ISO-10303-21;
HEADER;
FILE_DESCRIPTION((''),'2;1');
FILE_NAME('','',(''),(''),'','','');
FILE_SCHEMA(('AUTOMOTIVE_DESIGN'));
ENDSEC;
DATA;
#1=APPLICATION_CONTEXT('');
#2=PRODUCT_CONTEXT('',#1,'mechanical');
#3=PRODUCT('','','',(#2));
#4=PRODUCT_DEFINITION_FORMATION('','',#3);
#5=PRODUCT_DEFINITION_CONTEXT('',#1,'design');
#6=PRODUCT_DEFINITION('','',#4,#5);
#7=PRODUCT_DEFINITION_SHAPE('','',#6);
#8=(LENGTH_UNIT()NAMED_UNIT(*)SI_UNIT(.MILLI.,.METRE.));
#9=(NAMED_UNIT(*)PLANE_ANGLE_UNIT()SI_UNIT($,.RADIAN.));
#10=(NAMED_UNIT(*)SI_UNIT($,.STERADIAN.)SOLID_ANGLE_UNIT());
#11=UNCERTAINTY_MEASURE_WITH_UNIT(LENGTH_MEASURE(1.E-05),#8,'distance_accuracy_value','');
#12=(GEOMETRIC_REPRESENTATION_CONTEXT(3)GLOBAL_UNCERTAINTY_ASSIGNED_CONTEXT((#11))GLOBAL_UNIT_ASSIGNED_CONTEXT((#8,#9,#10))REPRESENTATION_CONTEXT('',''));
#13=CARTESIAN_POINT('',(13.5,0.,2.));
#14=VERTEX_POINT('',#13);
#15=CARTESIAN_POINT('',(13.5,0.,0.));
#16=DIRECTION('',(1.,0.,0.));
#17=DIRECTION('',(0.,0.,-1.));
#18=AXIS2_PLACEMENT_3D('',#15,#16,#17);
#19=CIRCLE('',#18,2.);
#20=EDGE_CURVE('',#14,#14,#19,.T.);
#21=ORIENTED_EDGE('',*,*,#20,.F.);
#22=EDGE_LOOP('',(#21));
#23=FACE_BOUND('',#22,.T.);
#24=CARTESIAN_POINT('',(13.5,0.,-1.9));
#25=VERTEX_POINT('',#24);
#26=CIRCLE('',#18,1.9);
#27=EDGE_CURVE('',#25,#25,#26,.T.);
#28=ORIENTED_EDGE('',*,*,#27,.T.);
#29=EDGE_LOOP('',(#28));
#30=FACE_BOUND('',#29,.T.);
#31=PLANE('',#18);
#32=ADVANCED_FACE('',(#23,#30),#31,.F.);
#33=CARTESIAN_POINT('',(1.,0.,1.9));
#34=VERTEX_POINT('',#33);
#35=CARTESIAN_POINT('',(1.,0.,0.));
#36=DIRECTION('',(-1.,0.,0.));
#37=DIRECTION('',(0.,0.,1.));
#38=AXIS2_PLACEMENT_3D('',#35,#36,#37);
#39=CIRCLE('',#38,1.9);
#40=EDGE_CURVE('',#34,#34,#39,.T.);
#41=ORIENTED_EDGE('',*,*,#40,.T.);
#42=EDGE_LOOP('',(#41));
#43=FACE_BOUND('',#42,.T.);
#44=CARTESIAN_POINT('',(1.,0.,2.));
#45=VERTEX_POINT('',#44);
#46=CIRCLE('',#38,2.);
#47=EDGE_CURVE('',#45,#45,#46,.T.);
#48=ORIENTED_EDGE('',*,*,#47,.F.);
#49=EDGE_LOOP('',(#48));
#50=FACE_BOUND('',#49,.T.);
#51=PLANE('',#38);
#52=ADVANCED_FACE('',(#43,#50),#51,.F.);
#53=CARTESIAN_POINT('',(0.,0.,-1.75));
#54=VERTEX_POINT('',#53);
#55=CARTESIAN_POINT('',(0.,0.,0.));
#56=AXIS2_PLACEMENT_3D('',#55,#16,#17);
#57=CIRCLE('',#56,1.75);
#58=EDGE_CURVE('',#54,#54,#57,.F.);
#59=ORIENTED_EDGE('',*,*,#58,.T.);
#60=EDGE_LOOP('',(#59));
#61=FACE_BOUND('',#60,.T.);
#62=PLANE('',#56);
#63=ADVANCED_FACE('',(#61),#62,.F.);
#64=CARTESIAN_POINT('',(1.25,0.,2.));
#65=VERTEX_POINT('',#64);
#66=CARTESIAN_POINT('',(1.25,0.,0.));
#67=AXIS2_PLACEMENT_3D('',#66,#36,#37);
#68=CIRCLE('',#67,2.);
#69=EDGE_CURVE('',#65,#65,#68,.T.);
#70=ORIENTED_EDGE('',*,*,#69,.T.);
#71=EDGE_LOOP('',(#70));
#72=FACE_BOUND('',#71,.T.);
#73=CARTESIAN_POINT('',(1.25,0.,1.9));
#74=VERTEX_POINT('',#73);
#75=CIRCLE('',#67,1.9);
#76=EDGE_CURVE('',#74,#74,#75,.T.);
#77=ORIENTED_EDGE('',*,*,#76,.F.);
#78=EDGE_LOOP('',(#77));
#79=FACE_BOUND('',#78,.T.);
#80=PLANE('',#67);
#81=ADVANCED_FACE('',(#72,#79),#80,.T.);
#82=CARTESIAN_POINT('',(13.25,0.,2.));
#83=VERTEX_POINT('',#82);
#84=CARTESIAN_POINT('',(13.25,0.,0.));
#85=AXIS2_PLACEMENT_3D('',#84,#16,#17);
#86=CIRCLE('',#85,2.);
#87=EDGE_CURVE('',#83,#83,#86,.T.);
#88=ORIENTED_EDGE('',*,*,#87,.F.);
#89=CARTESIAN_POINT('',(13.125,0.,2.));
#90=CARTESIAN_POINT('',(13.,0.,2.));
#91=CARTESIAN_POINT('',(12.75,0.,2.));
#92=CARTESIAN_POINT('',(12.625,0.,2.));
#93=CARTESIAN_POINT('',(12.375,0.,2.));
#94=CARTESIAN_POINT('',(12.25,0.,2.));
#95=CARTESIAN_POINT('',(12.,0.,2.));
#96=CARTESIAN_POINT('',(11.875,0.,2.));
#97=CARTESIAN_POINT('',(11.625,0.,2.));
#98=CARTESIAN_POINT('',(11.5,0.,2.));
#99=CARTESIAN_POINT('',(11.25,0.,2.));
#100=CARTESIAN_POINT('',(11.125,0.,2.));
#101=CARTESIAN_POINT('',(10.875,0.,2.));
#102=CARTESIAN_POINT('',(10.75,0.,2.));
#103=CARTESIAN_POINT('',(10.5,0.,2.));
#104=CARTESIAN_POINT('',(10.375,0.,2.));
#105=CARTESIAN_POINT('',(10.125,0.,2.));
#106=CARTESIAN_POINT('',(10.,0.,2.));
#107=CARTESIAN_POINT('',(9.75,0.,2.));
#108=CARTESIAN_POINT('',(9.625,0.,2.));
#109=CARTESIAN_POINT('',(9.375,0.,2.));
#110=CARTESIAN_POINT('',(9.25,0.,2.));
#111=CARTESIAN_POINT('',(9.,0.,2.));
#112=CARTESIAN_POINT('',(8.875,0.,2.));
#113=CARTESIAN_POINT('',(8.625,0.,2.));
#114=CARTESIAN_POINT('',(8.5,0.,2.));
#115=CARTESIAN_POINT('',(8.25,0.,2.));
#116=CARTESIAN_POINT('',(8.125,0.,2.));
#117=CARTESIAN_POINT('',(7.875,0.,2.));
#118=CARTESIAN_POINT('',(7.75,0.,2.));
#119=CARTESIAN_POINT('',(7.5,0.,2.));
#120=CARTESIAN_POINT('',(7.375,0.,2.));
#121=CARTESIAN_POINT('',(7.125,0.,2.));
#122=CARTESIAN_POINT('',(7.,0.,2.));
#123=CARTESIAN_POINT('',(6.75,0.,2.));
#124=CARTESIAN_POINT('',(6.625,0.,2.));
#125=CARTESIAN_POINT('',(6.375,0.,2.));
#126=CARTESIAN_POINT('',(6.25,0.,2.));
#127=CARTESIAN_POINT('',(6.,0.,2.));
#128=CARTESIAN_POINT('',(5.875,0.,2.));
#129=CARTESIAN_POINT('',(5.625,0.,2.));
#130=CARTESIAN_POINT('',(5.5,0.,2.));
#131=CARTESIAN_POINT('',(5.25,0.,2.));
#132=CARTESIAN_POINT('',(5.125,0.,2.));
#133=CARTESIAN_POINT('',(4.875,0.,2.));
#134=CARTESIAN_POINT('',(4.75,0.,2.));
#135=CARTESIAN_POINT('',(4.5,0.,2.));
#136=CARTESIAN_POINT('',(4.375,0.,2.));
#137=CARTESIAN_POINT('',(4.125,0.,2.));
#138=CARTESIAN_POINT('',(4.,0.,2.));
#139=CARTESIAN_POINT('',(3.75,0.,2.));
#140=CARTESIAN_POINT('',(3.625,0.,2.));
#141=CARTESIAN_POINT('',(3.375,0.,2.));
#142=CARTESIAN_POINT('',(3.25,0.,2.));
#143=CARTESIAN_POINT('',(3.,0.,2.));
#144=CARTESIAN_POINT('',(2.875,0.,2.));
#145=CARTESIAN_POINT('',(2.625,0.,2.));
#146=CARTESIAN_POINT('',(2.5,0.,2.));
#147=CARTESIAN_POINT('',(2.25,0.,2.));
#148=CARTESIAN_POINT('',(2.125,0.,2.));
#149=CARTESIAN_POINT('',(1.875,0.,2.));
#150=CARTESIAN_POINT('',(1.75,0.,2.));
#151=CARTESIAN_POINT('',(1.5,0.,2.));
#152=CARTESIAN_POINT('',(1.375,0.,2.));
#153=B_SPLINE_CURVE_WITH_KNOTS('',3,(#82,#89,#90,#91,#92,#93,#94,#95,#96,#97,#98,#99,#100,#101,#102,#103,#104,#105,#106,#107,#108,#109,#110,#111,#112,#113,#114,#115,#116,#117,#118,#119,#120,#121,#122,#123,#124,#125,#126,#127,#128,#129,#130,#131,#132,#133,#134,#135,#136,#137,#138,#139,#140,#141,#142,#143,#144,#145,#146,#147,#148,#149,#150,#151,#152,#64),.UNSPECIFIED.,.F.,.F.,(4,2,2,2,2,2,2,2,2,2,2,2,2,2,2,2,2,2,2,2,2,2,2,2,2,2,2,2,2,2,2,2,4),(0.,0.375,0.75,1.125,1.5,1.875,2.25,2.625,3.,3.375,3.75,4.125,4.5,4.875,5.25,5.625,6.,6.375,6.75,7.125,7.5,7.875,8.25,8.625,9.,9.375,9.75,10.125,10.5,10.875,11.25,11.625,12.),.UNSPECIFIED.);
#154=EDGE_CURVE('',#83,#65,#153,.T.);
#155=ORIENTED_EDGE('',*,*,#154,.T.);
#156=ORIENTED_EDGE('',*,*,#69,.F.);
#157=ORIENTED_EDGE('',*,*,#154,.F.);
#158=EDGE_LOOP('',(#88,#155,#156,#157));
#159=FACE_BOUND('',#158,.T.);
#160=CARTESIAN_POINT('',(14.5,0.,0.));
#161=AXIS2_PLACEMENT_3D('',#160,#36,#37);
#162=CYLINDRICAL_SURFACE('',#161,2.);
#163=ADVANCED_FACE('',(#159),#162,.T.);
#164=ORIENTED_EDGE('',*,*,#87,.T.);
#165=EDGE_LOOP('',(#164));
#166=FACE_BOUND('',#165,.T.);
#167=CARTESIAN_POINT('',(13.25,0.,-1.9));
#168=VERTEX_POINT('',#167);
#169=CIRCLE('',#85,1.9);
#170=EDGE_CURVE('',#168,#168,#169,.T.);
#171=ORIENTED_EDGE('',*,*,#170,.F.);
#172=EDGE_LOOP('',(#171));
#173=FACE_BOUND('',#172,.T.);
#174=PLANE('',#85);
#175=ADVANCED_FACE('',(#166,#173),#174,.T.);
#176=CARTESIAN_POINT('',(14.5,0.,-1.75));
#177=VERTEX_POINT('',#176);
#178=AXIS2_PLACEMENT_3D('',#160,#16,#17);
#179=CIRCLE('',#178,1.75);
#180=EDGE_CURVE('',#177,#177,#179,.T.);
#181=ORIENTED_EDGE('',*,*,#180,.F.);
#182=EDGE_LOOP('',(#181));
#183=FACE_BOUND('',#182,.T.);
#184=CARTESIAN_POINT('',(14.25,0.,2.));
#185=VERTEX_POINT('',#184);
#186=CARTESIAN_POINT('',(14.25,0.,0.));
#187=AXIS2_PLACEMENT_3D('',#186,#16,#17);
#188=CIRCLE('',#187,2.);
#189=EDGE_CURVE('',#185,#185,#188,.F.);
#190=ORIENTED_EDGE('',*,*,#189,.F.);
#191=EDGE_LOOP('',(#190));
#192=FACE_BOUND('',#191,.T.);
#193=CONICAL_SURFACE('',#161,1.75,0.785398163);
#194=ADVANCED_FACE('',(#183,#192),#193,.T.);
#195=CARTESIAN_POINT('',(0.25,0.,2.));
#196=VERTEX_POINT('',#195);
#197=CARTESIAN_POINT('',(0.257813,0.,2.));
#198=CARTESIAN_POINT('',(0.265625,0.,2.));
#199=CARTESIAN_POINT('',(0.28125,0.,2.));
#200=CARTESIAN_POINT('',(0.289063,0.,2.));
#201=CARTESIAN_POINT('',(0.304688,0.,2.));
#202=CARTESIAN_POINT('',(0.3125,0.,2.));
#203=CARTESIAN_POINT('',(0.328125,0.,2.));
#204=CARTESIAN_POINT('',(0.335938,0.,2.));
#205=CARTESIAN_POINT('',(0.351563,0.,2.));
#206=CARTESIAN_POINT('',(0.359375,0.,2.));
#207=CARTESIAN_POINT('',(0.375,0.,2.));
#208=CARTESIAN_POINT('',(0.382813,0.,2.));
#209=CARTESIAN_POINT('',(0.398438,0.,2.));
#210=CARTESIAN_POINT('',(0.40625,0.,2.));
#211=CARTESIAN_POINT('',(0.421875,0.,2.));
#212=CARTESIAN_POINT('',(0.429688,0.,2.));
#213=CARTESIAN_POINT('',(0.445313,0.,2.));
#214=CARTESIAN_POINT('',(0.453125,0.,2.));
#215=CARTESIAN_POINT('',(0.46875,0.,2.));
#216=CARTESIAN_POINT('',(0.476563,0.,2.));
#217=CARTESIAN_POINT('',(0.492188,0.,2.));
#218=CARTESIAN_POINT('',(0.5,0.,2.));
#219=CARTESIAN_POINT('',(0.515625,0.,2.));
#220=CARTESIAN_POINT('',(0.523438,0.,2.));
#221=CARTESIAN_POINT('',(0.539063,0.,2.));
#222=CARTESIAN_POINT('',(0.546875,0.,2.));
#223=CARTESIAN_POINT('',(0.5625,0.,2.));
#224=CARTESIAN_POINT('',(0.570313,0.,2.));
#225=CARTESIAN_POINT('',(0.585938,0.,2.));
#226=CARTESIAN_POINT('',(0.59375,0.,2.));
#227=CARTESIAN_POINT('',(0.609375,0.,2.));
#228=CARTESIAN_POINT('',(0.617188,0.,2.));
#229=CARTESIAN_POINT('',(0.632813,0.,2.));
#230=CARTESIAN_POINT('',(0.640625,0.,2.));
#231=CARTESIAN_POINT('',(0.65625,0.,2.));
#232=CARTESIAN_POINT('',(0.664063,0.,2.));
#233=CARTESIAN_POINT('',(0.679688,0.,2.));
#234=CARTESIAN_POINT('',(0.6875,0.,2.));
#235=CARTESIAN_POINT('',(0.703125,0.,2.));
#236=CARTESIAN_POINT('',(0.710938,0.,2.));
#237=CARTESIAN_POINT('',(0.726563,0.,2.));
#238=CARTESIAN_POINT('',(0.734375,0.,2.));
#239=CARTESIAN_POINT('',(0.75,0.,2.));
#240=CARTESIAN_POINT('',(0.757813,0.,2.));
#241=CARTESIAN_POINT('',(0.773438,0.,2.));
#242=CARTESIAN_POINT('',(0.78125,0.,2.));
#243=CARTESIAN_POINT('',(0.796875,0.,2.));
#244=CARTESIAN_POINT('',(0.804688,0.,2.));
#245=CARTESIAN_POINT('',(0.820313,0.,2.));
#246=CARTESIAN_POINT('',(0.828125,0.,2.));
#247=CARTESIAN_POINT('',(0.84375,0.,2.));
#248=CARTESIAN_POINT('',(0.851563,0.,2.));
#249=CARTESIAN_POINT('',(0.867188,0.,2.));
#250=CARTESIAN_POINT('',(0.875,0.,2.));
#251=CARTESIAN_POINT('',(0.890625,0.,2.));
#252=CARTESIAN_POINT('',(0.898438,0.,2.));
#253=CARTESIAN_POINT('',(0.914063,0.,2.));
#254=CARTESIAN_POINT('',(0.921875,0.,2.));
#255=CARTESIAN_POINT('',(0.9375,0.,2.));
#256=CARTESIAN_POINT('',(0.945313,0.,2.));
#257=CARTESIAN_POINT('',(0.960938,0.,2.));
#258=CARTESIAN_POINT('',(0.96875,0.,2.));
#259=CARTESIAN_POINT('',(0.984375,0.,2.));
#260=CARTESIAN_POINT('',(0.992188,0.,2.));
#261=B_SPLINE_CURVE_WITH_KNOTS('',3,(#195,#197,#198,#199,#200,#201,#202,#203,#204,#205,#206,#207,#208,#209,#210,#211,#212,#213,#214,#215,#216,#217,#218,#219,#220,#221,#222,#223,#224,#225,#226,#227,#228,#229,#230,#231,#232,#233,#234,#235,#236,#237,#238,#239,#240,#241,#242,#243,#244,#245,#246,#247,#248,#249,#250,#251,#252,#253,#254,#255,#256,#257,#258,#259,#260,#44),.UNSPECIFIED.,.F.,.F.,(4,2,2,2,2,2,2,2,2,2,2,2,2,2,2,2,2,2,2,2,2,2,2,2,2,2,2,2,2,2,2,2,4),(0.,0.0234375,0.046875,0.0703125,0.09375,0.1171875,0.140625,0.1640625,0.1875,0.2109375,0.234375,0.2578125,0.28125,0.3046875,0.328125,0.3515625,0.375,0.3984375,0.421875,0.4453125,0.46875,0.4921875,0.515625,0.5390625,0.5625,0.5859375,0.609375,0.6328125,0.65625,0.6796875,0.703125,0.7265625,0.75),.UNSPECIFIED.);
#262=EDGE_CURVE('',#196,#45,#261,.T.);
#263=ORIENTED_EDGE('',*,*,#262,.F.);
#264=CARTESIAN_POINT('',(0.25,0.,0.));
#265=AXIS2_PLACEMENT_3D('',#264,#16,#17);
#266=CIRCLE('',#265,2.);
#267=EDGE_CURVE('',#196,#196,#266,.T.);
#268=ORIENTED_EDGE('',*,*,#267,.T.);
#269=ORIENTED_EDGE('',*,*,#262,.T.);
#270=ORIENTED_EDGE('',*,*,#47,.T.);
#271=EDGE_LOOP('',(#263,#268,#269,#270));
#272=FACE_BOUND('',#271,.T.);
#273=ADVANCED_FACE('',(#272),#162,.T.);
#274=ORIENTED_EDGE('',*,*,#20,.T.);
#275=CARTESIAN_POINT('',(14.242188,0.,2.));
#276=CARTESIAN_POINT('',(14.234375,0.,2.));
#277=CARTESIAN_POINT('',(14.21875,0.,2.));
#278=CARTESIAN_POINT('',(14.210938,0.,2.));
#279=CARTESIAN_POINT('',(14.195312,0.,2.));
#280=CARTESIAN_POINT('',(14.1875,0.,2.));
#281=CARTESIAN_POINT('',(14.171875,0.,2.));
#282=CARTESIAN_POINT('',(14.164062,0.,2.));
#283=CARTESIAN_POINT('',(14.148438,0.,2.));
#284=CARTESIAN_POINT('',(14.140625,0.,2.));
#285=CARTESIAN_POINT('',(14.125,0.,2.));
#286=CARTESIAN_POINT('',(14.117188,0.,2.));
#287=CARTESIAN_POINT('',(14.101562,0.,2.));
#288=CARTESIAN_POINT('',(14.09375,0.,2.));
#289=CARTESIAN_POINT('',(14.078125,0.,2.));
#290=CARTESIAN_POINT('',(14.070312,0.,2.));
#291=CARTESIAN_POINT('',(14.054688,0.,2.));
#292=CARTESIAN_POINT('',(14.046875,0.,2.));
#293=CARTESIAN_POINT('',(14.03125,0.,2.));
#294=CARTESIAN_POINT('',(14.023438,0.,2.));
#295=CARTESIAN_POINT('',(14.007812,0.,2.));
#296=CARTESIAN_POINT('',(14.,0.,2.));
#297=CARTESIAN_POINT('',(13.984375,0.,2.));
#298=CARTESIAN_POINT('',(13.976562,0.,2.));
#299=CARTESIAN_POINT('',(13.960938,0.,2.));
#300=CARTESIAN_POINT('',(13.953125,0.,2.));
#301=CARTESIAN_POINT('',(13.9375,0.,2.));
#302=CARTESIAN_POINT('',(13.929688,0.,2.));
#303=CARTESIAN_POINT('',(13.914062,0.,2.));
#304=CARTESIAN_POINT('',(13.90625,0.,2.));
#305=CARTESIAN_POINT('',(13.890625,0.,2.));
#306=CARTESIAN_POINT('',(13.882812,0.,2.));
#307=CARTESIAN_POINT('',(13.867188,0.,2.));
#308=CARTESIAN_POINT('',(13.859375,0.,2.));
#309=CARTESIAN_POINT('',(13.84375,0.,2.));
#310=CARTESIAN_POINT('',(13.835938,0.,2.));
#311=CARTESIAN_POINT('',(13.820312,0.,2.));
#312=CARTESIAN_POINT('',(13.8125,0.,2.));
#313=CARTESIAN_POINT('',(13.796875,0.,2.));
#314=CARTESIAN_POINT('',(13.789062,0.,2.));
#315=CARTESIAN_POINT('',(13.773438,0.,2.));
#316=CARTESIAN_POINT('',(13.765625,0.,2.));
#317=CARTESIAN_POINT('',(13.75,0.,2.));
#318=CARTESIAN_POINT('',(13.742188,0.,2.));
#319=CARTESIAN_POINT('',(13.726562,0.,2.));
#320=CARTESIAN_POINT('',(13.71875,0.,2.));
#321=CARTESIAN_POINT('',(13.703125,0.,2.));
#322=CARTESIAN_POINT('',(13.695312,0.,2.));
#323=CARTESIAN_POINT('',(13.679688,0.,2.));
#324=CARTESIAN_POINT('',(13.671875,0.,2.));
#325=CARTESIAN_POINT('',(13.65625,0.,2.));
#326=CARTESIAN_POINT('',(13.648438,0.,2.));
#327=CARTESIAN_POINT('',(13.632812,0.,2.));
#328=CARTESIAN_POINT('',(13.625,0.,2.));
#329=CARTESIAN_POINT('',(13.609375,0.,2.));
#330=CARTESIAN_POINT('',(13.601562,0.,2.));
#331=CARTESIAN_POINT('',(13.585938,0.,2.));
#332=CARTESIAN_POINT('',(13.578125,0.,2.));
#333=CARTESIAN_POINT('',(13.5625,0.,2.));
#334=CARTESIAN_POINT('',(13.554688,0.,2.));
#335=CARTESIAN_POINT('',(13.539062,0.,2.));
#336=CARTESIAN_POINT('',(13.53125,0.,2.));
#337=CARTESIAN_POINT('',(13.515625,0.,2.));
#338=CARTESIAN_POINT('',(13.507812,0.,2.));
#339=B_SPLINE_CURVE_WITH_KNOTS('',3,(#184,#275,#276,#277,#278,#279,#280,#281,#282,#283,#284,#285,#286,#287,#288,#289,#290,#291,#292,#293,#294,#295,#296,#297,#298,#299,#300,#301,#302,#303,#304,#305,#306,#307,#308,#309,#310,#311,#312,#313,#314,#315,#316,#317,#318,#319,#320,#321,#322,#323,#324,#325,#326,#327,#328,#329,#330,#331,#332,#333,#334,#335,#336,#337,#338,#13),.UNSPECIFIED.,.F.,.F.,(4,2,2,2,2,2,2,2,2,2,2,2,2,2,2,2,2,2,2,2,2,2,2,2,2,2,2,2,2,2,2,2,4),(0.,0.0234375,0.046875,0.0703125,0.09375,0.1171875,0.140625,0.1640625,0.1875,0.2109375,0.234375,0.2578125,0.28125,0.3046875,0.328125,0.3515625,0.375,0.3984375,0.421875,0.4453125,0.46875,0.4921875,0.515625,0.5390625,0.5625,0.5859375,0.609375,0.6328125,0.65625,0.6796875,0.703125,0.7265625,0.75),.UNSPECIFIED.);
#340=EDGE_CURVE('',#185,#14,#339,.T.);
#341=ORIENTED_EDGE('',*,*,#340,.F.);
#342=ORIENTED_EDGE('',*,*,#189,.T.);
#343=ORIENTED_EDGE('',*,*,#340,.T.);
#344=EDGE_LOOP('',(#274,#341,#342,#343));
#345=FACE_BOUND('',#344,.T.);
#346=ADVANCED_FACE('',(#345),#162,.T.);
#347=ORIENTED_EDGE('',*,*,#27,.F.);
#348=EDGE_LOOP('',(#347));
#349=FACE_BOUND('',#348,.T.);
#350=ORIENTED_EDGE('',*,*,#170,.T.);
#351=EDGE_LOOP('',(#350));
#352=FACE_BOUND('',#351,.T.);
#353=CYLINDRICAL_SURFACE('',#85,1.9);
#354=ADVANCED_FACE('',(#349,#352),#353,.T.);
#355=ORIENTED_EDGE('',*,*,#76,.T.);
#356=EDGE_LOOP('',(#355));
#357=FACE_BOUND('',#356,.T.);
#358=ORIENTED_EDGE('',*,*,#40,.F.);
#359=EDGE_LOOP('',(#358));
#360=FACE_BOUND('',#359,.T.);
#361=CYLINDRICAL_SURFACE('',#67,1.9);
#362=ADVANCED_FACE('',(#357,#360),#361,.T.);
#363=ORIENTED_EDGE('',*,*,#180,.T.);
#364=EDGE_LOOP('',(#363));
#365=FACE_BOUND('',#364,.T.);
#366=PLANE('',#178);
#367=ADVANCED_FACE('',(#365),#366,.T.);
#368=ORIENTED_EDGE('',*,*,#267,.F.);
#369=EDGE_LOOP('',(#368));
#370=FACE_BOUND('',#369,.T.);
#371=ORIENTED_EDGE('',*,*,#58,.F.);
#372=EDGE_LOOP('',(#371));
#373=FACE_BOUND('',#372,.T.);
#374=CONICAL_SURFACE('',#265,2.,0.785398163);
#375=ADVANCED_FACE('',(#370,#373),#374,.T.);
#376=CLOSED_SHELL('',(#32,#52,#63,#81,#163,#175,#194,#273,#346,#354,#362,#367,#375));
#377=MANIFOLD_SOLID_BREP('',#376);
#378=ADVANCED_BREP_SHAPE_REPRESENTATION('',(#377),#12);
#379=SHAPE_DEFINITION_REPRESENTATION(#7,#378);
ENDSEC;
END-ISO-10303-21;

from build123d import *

# Parameters (mm, degrees)
SKETCH1_R           = 2
BOSS_EXTRUDE1_DEPTH = 14.5
CUT_EXTRUDE2_START  = -1
SKETCH2_R           = 2.498108329
SKETCH2_R_2         = 1.9
CUT_EXTRUDE2_DEPTH  = 0.25
CUT_EXTRUDE3_START  = -1.25
SKETCH3_R           = 2.5
SKETCH3_R_2         = 1.9
CUT_EXTRUDE3_DEPTH  = 0.25
CHAMFER1_SIZE       = 0.25


with BuildPart() as part:
    # Sketch1 → Boss-Extrude1 (new body)
    with BuildSketch(Plane(origin=(0, 0, 0), x_dir=(0, 0, -1), z_dir=(1, 0, 0))):
        with Locations(Location((0, 0, 0), (0, 0, 180))):
            Circle(SKETCH1_R)
    extrude(amount=BOSS_EXTRUDE1_DEPTH)

    # Sketch2 → Cut-Extrude2 (cut)
    with BuildSketch(Plane(origin=(14.5, 0, 0), x_dir=(0, 0, -1), z_dir=(1, 0, 0)).offset(CUT_EXTRUDE2_START)):
        Circle(SKETCH2_R)
        Circle(SKETCH2_R_2, mode=Mode.SUBTRACT)
    extrude(amount=-CUT_EXTRUDE2_DEPTH, mode=Mode.SUBTRACT)

    # Sketch3 → Cut-Extrude3 (cut)
    with BuildSketch(Plane.ZY.offset(CUT_EXTRUDE3_START)):
        Circle(SKETCH3_R)
        with Locations(Location((0, 0, 0), (0, 0, 180))):
            Circle(SKETCH3_R_2, mode=Mode.SUBTRACT)
    extrude(amount=CUT_EXTRUDE3_DEPTH, mode=Mode.SUBTRACT)

    # Chamfer1
    chamfer1_edges = [part.edges().sort_by_distance(p)[0] for p in [
        (0, 0, -2),
        (14.5, 0, -2),
    ]]
    chamfer(chamfer1_edges, length=CHAMFER1_SIZE)


solid = part.part
